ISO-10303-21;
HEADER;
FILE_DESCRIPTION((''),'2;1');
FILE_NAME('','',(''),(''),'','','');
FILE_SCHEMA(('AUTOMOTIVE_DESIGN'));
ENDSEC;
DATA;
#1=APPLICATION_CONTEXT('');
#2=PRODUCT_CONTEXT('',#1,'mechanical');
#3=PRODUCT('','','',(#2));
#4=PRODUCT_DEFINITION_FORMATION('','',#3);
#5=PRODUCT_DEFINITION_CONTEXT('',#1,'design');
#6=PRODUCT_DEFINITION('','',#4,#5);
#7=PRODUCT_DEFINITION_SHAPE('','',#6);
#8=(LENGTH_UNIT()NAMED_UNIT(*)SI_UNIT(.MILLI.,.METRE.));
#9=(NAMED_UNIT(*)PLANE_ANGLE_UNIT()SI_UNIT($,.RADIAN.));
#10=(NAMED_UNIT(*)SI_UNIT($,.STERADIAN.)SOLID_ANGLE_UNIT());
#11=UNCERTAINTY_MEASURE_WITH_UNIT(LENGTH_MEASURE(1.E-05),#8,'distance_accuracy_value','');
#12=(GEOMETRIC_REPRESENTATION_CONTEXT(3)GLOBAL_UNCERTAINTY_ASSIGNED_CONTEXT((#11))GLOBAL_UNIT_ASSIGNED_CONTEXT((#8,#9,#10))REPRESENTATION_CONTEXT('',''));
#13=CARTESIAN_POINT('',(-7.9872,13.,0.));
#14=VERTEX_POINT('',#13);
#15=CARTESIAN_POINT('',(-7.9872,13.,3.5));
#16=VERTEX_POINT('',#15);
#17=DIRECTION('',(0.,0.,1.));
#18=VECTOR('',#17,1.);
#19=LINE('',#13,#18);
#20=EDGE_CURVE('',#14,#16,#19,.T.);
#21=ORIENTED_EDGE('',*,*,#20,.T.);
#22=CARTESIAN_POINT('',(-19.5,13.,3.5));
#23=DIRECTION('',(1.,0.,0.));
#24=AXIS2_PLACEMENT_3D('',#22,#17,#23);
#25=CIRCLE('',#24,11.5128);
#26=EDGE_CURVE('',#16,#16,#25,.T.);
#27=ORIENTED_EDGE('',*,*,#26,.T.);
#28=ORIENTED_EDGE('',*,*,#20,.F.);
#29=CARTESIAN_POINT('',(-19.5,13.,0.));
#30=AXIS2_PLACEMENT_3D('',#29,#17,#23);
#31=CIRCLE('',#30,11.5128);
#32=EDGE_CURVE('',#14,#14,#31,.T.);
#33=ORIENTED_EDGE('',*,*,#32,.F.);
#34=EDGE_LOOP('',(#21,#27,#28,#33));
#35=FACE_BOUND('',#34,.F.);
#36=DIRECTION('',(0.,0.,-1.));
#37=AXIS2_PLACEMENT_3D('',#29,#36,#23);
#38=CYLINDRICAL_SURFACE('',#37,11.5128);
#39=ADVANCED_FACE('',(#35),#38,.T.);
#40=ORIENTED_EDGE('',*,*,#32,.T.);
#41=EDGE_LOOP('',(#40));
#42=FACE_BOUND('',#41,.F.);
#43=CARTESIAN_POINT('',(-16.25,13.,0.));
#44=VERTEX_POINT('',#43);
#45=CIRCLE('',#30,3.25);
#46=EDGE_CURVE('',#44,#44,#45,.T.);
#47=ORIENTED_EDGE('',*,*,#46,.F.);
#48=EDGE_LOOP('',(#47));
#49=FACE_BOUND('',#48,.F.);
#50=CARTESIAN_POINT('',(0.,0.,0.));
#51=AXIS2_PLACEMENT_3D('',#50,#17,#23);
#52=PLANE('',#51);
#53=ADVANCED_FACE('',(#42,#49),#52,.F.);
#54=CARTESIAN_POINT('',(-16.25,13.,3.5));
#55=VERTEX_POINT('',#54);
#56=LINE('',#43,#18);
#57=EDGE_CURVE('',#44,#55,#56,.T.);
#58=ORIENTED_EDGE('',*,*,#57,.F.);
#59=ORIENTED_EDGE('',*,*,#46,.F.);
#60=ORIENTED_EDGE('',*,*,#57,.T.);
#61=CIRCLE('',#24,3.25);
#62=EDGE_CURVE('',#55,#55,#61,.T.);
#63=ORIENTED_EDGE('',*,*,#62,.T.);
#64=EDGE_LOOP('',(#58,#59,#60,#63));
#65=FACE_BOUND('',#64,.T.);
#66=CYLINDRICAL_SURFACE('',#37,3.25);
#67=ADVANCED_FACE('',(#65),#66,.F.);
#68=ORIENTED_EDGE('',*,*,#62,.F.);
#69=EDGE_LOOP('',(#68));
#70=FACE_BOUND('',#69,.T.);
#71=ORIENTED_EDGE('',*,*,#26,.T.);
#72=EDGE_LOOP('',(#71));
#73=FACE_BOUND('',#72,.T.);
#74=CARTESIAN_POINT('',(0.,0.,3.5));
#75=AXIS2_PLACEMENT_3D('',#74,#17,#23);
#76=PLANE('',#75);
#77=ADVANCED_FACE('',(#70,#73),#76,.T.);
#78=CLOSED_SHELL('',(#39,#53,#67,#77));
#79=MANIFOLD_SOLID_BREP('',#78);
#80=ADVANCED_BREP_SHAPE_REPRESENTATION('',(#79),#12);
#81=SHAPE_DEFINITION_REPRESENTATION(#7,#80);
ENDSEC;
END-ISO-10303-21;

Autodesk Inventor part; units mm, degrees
ref_plane "YZ Plane" through (0, 0, 0) normal (1, 0, 0) x (0, 1, 0)
ref_plane "XZ Plane" through (0, 0, 0) normal (0, 1, 0) x (-1, 0, 0)
ref_plane "XY Plane" through (0, 0, 0) normal (0, 0, 1) x (1, 0, 0)
sketch "Sketch2" plane through (0, 0, 0) normal (0, 0, 1) x (1, 0, 0)
  circle A0 centre (-19.5, 13) radius 3.25
  circle A1 centre (-19.5, 13) radius 3.25
  circle A2 centre (-19.5, 13) radius 11.5128
  point P0 (0, 0)
  dimension "d2" = 6.5
extrude "Extrusion1" add sketch "Sketch2" along normal blind 3.5
equation "\"d2\" = R"
equation "\"d0\" = 0.7 * thickness"
equation "\"R\" = 6.5"
equation "\"thickness\" = 5"
equation "\"width\" = 6.5"
equation "\"R1\" = 9"
